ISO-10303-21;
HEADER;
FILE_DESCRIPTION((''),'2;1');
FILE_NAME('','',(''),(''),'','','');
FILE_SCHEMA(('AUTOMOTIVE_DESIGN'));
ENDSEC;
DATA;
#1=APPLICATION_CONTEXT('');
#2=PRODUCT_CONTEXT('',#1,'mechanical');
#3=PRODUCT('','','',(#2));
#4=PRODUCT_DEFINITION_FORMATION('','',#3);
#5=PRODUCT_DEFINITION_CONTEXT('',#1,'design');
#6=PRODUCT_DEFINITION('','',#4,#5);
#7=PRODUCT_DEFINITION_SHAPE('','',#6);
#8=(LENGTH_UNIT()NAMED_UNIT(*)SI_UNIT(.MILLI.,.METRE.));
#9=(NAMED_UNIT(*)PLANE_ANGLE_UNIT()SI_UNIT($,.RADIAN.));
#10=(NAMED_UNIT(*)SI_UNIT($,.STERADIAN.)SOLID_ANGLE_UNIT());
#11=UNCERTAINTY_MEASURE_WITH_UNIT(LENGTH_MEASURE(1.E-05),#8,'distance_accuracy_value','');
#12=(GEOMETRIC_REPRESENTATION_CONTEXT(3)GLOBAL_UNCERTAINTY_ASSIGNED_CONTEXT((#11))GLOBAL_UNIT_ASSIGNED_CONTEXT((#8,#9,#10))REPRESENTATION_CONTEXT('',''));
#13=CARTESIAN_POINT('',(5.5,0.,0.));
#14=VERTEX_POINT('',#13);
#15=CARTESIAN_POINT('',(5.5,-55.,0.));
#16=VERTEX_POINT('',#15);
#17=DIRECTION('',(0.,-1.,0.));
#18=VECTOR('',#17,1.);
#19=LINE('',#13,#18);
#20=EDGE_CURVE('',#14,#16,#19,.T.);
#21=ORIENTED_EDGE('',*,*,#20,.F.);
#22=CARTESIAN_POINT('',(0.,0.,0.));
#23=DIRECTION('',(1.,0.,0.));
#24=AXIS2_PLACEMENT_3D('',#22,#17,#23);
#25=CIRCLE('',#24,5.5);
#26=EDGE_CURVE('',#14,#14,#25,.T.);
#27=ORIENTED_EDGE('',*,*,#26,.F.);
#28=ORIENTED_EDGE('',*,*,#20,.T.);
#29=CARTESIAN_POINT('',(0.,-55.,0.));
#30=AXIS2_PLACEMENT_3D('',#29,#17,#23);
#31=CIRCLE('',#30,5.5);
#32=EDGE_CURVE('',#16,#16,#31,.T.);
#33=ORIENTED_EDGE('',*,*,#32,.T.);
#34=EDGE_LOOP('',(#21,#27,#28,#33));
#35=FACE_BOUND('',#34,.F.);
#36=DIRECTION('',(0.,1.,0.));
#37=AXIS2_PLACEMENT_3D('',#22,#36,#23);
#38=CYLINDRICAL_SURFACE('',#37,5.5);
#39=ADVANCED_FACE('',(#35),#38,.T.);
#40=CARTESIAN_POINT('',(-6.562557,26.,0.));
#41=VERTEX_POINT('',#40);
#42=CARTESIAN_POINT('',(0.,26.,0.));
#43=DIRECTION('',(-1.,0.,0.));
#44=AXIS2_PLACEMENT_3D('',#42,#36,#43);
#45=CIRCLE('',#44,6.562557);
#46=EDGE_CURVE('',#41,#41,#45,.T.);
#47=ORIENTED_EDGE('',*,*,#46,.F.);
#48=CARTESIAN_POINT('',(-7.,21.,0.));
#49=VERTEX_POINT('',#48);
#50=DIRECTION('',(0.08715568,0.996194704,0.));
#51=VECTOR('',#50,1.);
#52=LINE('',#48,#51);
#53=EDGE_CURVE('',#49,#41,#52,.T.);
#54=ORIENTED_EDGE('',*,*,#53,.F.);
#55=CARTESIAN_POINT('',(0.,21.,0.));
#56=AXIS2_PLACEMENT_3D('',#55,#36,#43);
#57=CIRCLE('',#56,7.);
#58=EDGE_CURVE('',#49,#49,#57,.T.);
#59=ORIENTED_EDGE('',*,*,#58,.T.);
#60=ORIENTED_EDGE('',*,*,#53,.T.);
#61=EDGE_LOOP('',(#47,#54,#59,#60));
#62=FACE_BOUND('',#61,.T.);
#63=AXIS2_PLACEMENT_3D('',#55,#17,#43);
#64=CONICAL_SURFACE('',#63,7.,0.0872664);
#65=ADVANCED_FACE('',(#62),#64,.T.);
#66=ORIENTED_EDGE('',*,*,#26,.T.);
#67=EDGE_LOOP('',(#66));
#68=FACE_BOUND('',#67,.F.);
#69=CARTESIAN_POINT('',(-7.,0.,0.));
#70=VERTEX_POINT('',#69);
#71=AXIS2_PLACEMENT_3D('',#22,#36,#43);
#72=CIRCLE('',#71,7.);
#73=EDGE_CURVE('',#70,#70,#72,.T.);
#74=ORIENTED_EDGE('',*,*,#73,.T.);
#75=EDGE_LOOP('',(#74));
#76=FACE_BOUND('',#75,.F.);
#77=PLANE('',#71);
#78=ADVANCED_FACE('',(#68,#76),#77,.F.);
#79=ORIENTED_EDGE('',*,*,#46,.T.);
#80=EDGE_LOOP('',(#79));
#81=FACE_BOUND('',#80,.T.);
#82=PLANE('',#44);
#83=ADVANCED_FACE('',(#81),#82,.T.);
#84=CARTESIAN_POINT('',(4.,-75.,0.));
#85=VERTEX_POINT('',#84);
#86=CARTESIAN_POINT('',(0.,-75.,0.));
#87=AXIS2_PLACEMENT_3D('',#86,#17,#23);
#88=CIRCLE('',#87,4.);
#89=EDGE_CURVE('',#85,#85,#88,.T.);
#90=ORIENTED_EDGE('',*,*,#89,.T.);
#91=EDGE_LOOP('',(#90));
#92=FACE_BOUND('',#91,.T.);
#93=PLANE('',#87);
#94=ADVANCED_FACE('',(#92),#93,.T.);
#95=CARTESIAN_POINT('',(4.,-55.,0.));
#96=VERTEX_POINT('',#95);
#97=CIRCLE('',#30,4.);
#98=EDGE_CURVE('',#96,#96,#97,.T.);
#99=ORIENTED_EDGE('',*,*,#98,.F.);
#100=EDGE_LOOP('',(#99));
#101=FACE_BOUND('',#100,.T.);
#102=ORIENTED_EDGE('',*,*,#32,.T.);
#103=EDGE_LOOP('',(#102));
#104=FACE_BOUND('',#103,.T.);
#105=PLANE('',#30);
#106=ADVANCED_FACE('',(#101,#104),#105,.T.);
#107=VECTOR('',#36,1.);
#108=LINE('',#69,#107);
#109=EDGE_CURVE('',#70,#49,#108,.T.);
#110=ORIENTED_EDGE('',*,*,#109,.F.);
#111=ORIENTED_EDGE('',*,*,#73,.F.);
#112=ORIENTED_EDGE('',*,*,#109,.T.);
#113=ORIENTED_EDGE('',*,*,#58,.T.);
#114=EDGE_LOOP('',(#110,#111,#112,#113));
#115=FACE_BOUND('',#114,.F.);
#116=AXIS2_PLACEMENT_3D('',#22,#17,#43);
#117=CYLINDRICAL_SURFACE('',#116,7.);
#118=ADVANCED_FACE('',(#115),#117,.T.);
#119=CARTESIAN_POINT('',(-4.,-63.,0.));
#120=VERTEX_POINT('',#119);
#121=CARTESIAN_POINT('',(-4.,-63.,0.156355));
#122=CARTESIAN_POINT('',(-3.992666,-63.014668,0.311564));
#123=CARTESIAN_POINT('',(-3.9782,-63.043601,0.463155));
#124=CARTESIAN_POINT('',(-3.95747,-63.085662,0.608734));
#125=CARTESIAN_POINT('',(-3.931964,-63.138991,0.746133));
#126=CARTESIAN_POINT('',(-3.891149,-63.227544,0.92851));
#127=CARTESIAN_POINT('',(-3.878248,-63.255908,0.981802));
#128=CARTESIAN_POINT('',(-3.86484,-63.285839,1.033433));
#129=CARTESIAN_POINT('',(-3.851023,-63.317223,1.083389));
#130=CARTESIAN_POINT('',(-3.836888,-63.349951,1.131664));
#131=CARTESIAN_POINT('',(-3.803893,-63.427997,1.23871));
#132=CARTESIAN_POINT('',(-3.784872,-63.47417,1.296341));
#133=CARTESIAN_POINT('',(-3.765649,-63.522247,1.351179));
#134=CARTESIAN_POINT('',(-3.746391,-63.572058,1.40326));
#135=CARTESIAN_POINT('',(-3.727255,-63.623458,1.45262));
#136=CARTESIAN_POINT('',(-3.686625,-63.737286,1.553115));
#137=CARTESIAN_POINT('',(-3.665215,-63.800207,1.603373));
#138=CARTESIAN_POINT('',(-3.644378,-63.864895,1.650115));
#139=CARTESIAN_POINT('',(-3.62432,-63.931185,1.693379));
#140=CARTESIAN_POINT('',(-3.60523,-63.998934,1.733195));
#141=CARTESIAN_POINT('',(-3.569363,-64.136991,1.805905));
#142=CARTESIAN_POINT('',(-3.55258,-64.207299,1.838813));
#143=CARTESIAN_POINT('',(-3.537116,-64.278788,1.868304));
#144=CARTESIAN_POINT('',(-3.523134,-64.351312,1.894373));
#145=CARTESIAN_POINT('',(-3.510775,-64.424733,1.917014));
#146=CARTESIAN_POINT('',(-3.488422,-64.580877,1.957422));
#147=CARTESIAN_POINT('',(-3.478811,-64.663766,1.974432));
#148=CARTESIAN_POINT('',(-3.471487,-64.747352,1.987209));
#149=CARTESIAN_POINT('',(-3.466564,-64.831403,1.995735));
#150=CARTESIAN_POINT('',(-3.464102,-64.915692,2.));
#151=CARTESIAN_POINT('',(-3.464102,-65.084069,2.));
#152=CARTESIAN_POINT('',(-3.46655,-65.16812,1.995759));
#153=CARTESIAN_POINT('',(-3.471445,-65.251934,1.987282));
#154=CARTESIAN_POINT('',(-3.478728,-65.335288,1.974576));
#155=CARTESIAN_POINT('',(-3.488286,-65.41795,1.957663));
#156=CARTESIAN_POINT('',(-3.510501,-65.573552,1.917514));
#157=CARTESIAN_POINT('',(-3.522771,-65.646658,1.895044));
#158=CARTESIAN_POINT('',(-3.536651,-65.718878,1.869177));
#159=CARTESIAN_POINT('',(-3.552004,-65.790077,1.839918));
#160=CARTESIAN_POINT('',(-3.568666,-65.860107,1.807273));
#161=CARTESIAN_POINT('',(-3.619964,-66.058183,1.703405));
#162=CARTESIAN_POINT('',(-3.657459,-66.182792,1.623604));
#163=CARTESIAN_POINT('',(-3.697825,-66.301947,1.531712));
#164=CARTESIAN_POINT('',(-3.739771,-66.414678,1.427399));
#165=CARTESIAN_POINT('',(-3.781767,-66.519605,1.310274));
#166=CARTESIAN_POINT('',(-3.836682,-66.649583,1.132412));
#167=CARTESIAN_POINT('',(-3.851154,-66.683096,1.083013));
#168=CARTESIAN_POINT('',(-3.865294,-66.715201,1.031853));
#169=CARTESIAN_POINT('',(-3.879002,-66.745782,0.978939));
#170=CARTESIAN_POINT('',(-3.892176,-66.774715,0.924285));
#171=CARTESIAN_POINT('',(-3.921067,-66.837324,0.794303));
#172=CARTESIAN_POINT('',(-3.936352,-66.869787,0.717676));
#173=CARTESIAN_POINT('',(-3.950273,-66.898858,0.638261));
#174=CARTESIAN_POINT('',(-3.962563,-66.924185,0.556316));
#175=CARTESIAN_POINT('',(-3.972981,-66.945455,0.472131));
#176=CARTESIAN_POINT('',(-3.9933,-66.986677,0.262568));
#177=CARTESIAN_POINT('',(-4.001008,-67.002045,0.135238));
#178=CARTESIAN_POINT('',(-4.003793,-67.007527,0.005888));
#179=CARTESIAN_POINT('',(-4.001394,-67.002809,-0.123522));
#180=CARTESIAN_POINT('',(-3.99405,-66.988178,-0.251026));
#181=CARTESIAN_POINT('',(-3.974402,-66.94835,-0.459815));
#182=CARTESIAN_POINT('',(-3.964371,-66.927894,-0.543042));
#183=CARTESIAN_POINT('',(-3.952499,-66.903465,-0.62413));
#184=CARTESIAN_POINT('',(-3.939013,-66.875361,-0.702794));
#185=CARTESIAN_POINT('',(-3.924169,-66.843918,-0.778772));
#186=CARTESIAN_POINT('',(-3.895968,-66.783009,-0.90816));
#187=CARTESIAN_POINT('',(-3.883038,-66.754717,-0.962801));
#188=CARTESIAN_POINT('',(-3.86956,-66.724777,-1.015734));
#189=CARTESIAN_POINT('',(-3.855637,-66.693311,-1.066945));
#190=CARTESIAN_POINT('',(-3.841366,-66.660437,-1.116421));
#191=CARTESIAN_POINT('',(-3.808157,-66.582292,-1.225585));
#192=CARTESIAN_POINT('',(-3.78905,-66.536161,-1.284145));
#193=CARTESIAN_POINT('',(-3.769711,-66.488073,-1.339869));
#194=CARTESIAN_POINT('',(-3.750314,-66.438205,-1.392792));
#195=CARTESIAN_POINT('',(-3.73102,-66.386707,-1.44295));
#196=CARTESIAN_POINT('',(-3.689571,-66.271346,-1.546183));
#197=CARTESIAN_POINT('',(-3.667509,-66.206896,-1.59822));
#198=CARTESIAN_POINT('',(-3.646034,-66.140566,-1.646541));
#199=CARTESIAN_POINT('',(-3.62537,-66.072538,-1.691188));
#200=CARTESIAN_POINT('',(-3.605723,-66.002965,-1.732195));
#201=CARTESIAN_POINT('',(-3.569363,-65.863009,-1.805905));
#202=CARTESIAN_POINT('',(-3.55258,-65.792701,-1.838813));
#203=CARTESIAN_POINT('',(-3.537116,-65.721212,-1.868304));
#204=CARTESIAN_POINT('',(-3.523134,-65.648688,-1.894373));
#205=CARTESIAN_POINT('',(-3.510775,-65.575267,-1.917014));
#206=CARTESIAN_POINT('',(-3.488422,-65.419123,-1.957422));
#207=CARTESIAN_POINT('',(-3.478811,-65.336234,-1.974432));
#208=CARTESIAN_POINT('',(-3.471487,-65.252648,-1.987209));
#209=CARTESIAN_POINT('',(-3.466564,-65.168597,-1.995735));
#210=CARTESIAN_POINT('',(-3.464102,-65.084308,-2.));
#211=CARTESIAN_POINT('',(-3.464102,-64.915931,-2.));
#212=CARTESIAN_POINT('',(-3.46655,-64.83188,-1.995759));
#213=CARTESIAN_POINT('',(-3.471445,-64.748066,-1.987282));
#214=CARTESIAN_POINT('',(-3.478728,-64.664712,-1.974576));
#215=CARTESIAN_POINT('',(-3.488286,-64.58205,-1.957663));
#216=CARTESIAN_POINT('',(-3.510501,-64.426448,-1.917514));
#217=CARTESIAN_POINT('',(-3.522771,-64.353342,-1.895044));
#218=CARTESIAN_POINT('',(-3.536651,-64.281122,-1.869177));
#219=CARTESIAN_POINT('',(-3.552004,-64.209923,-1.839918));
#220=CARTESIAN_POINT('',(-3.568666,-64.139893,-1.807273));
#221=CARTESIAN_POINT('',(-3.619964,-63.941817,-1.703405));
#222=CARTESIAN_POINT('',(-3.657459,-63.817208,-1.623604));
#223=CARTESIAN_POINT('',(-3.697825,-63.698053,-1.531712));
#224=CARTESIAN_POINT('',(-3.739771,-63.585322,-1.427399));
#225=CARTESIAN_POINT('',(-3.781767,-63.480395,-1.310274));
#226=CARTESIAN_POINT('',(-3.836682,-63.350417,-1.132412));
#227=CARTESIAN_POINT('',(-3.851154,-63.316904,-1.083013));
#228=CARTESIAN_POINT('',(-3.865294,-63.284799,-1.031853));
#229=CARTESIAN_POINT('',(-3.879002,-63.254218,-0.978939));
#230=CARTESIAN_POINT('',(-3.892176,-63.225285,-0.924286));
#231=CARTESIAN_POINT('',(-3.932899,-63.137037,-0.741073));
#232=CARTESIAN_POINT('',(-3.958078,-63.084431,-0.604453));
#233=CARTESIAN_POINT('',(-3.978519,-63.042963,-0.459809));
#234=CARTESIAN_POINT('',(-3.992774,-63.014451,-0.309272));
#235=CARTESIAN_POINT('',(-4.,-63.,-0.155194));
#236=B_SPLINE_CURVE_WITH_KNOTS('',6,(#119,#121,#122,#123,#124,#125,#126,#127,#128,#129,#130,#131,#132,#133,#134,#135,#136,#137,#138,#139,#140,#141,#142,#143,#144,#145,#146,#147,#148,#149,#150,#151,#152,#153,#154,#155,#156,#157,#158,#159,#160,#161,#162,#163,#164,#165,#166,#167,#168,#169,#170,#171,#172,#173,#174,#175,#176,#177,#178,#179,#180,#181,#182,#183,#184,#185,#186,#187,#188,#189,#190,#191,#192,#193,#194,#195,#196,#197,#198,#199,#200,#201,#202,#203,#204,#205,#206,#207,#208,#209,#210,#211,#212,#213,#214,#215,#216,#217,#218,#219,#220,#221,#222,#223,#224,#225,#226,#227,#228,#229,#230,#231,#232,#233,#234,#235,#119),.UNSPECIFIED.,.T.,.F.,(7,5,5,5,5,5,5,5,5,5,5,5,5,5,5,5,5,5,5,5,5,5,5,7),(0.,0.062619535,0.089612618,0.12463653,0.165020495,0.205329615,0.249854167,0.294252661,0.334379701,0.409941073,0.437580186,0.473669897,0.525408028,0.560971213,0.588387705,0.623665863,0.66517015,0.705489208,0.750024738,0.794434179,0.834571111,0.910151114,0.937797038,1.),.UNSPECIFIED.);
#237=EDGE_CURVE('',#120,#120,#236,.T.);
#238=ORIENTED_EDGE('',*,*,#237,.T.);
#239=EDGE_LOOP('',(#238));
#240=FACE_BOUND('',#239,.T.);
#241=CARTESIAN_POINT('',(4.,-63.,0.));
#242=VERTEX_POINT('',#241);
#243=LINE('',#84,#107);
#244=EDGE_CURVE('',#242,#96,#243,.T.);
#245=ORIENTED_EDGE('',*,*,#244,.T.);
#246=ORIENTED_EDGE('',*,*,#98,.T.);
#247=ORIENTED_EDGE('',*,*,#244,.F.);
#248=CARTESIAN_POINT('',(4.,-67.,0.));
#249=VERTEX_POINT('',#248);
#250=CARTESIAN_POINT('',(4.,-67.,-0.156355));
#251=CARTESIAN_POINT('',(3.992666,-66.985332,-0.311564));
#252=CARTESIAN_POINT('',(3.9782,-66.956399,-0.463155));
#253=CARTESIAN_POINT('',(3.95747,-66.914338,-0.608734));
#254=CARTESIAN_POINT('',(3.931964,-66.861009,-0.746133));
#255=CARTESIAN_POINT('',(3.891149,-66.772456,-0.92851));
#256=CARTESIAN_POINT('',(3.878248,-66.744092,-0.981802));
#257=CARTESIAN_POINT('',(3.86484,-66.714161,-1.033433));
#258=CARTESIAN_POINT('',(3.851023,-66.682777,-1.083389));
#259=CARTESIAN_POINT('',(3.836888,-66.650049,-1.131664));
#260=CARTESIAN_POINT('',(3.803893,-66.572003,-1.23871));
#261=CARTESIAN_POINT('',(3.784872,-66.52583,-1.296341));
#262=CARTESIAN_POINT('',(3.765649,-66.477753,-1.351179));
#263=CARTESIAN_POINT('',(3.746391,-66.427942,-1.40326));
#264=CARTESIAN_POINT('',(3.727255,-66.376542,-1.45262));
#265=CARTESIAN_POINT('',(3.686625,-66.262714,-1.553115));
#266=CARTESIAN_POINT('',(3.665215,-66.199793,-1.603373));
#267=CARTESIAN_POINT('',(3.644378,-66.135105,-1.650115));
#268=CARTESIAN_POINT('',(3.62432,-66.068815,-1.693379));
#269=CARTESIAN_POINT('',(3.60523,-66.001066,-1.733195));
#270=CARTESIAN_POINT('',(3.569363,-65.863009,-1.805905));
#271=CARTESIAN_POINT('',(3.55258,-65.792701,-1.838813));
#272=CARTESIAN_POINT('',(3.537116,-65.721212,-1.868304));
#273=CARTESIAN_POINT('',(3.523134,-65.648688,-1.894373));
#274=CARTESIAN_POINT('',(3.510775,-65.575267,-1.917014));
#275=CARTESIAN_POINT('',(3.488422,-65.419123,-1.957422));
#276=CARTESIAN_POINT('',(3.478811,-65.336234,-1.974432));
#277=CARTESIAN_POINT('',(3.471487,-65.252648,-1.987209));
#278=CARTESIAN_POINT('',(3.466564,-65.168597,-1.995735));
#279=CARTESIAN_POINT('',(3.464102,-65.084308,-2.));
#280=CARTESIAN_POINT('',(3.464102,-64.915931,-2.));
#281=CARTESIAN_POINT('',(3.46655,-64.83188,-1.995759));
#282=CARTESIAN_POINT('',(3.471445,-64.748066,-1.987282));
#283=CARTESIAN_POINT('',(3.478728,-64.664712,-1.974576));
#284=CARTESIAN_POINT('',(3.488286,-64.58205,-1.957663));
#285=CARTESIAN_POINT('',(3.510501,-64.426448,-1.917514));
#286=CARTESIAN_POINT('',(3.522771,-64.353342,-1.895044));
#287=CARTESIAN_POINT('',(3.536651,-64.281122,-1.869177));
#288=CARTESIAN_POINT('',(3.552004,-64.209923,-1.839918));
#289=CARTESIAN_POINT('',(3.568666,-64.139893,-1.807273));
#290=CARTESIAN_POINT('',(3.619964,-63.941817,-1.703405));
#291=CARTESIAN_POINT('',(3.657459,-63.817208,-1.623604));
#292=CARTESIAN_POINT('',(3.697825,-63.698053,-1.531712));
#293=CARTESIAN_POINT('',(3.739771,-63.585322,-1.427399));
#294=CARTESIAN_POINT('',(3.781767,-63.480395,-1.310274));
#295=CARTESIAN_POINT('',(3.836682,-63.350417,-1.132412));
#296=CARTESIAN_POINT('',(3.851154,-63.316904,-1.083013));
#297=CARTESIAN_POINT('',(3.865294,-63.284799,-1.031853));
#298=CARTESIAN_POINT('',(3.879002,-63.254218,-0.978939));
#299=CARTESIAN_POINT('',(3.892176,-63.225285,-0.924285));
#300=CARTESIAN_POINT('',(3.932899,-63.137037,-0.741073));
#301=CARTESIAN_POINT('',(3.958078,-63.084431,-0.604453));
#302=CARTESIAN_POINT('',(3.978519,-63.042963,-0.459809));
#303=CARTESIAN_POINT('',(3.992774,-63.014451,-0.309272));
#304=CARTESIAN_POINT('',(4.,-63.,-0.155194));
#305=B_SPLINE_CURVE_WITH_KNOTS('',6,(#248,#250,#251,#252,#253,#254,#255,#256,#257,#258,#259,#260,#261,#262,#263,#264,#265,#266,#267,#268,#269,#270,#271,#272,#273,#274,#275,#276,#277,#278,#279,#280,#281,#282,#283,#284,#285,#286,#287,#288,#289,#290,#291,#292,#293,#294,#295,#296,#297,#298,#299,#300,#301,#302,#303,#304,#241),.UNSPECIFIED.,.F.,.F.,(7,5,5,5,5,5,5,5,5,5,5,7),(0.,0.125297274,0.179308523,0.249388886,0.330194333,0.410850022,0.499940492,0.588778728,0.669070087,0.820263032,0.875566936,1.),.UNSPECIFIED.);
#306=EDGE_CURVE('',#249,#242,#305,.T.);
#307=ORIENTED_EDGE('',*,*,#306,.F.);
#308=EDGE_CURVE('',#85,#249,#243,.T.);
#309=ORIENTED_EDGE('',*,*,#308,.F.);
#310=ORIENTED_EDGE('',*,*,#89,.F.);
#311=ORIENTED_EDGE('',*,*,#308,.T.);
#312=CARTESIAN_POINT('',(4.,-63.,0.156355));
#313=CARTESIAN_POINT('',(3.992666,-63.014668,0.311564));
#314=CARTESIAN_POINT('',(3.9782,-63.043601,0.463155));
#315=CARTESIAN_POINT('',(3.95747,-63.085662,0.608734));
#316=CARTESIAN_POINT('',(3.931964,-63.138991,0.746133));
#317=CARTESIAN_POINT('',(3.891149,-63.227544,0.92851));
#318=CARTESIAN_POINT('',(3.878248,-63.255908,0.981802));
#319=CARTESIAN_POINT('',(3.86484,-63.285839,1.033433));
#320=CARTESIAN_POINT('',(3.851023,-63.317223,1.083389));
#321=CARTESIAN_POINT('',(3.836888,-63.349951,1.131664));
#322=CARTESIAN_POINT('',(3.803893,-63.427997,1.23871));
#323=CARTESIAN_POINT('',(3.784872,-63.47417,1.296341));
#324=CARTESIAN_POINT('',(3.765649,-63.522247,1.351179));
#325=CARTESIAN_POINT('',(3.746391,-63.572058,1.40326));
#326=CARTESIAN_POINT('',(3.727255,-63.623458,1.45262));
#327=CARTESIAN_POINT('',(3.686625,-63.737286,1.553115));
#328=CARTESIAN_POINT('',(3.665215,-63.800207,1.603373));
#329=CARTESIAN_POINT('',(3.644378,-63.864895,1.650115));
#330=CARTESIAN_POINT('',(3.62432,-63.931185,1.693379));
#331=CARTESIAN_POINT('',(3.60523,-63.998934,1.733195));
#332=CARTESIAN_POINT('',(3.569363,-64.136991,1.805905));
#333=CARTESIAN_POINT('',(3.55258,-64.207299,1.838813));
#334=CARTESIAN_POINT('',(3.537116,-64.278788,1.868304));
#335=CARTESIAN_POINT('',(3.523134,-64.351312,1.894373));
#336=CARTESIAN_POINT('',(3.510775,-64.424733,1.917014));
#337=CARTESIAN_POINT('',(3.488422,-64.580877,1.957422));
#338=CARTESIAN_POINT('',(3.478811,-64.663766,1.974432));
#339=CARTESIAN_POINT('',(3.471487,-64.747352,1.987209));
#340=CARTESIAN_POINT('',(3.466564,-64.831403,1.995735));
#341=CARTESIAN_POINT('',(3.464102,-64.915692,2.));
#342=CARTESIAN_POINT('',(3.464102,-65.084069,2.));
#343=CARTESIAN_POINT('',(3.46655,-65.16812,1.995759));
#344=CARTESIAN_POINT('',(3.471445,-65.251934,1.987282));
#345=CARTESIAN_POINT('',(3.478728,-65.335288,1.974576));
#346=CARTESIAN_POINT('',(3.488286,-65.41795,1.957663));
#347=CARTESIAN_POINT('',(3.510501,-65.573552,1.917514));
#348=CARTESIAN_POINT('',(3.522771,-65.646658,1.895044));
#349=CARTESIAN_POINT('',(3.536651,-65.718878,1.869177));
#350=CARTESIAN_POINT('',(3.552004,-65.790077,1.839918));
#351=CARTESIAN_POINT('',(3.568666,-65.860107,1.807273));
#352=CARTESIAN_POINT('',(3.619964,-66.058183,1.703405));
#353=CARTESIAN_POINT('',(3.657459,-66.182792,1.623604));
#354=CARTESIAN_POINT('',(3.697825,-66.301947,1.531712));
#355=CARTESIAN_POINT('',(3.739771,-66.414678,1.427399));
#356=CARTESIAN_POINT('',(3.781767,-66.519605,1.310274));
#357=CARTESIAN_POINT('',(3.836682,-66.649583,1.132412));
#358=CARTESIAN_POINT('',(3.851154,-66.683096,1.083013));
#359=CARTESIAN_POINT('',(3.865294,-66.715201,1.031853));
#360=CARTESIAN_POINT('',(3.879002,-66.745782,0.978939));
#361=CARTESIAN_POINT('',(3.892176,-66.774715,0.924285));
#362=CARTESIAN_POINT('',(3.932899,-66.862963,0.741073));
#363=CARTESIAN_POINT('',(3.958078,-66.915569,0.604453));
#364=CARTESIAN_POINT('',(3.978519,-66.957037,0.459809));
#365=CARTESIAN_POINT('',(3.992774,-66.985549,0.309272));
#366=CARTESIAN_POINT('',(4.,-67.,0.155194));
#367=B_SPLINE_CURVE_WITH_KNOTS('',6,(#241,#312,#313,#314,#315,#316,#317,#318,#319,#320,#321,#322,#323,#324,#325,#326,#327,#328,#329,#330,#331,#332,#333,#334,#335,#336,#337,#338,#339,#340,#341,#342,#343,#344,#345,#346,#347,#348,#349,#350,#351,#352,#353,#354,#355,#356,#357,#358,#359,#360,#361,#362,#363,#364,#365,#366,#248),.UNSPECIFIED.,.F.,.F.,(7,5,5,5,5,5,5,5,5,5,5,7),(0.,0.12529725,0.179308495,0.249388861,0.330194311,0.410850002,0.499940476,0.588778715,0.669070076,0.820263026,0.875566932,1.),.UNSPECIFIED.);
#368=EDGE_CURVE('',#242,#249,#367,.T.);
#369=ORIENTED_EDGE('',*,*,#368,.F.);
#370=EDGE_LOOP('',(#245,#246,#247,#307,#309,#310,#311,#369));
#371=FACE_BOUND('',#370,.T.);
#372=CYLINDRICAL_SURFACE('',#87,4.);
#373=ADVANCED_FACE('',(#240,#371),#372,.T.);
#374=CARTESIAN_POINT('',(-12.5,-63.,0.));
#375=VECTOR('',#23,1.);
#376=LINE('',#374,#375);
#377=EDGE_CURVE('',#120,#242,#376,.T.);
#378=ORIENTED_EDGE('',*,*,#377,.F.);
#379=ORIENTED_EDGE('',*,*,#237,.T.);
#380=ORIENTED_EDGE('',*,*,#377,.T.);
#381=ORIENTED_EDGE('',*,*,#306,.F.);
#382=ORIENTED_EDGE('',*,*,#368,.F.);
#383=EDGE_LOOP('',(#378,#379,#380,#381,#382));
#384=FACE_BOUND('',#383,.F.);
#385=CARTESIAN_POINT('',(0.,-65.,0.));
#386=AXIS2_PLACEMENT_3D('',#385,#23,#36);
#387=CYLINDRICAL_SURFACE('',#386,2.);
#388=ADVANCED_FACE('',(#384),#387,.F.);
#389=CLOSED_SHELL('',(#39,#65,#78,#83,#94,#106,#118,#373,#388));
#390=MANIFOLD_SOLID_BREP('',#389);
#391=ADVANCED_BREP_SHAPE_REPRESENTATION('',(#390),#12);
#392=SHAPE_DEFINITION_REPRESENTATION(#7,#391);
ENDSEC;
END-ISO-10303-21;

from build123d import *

# Parameters (mm, degrees)
F0_R     = 5.5
F1_DEPTH = 75
F2_R     = 7
F3_DEPTH = 26
F4_SIZE2 = 0.437443
F4_SIZE  = 5
F5_R     = 5.5
F5_R_2   = 4
F6_DEPTH = 20
F7_R     = 2
F8_DEPTH = 12.5


with BuildPart() as f1:
    # F0 (on Front) → F1 (new body)
    with BuildSketch(Plane.XZ):
        Circle(F0_R)
    extrude(amount=F1_DEPTH)

    # F2 (on face) → F3 (join)
    with BuildSketch(Plane(origin=(0, 0, 0), x_dir=(-1, 0, 0), z_dir=(0, 1, 0))):
        Circle(F2_R)
    extrude(amount=F3_DEPTH)

    # F4
    f4_edges = [f1.edges().sort_by_distance(p)[0] for p in [
        (7, 26, 0),
    ]]
    chamfer(f4_edges, length=F4_SIZE, length2=F4_SIZE2)

    # F5 (on face) → F6 (cut)
    with BuildSketch(Plane.XZ.offset(75)):
        Circle(F5_R)
        Circle(F5_R_2, mode=Mode.SUBTRACT)
    extrude(amount=-F6_DEPTH, mode=Mode.SUBTRACT)

    # F7 (on Right) → F8 (cut, symmetric)
    with BuildSketch(Plane.YZ):
        with Locations((-65, 0)):
            Circle(F7_R)
    extrude(amount=F8_DEPTH, both=True, mode=Mode.SUBTRACT)


solid = f1.part
